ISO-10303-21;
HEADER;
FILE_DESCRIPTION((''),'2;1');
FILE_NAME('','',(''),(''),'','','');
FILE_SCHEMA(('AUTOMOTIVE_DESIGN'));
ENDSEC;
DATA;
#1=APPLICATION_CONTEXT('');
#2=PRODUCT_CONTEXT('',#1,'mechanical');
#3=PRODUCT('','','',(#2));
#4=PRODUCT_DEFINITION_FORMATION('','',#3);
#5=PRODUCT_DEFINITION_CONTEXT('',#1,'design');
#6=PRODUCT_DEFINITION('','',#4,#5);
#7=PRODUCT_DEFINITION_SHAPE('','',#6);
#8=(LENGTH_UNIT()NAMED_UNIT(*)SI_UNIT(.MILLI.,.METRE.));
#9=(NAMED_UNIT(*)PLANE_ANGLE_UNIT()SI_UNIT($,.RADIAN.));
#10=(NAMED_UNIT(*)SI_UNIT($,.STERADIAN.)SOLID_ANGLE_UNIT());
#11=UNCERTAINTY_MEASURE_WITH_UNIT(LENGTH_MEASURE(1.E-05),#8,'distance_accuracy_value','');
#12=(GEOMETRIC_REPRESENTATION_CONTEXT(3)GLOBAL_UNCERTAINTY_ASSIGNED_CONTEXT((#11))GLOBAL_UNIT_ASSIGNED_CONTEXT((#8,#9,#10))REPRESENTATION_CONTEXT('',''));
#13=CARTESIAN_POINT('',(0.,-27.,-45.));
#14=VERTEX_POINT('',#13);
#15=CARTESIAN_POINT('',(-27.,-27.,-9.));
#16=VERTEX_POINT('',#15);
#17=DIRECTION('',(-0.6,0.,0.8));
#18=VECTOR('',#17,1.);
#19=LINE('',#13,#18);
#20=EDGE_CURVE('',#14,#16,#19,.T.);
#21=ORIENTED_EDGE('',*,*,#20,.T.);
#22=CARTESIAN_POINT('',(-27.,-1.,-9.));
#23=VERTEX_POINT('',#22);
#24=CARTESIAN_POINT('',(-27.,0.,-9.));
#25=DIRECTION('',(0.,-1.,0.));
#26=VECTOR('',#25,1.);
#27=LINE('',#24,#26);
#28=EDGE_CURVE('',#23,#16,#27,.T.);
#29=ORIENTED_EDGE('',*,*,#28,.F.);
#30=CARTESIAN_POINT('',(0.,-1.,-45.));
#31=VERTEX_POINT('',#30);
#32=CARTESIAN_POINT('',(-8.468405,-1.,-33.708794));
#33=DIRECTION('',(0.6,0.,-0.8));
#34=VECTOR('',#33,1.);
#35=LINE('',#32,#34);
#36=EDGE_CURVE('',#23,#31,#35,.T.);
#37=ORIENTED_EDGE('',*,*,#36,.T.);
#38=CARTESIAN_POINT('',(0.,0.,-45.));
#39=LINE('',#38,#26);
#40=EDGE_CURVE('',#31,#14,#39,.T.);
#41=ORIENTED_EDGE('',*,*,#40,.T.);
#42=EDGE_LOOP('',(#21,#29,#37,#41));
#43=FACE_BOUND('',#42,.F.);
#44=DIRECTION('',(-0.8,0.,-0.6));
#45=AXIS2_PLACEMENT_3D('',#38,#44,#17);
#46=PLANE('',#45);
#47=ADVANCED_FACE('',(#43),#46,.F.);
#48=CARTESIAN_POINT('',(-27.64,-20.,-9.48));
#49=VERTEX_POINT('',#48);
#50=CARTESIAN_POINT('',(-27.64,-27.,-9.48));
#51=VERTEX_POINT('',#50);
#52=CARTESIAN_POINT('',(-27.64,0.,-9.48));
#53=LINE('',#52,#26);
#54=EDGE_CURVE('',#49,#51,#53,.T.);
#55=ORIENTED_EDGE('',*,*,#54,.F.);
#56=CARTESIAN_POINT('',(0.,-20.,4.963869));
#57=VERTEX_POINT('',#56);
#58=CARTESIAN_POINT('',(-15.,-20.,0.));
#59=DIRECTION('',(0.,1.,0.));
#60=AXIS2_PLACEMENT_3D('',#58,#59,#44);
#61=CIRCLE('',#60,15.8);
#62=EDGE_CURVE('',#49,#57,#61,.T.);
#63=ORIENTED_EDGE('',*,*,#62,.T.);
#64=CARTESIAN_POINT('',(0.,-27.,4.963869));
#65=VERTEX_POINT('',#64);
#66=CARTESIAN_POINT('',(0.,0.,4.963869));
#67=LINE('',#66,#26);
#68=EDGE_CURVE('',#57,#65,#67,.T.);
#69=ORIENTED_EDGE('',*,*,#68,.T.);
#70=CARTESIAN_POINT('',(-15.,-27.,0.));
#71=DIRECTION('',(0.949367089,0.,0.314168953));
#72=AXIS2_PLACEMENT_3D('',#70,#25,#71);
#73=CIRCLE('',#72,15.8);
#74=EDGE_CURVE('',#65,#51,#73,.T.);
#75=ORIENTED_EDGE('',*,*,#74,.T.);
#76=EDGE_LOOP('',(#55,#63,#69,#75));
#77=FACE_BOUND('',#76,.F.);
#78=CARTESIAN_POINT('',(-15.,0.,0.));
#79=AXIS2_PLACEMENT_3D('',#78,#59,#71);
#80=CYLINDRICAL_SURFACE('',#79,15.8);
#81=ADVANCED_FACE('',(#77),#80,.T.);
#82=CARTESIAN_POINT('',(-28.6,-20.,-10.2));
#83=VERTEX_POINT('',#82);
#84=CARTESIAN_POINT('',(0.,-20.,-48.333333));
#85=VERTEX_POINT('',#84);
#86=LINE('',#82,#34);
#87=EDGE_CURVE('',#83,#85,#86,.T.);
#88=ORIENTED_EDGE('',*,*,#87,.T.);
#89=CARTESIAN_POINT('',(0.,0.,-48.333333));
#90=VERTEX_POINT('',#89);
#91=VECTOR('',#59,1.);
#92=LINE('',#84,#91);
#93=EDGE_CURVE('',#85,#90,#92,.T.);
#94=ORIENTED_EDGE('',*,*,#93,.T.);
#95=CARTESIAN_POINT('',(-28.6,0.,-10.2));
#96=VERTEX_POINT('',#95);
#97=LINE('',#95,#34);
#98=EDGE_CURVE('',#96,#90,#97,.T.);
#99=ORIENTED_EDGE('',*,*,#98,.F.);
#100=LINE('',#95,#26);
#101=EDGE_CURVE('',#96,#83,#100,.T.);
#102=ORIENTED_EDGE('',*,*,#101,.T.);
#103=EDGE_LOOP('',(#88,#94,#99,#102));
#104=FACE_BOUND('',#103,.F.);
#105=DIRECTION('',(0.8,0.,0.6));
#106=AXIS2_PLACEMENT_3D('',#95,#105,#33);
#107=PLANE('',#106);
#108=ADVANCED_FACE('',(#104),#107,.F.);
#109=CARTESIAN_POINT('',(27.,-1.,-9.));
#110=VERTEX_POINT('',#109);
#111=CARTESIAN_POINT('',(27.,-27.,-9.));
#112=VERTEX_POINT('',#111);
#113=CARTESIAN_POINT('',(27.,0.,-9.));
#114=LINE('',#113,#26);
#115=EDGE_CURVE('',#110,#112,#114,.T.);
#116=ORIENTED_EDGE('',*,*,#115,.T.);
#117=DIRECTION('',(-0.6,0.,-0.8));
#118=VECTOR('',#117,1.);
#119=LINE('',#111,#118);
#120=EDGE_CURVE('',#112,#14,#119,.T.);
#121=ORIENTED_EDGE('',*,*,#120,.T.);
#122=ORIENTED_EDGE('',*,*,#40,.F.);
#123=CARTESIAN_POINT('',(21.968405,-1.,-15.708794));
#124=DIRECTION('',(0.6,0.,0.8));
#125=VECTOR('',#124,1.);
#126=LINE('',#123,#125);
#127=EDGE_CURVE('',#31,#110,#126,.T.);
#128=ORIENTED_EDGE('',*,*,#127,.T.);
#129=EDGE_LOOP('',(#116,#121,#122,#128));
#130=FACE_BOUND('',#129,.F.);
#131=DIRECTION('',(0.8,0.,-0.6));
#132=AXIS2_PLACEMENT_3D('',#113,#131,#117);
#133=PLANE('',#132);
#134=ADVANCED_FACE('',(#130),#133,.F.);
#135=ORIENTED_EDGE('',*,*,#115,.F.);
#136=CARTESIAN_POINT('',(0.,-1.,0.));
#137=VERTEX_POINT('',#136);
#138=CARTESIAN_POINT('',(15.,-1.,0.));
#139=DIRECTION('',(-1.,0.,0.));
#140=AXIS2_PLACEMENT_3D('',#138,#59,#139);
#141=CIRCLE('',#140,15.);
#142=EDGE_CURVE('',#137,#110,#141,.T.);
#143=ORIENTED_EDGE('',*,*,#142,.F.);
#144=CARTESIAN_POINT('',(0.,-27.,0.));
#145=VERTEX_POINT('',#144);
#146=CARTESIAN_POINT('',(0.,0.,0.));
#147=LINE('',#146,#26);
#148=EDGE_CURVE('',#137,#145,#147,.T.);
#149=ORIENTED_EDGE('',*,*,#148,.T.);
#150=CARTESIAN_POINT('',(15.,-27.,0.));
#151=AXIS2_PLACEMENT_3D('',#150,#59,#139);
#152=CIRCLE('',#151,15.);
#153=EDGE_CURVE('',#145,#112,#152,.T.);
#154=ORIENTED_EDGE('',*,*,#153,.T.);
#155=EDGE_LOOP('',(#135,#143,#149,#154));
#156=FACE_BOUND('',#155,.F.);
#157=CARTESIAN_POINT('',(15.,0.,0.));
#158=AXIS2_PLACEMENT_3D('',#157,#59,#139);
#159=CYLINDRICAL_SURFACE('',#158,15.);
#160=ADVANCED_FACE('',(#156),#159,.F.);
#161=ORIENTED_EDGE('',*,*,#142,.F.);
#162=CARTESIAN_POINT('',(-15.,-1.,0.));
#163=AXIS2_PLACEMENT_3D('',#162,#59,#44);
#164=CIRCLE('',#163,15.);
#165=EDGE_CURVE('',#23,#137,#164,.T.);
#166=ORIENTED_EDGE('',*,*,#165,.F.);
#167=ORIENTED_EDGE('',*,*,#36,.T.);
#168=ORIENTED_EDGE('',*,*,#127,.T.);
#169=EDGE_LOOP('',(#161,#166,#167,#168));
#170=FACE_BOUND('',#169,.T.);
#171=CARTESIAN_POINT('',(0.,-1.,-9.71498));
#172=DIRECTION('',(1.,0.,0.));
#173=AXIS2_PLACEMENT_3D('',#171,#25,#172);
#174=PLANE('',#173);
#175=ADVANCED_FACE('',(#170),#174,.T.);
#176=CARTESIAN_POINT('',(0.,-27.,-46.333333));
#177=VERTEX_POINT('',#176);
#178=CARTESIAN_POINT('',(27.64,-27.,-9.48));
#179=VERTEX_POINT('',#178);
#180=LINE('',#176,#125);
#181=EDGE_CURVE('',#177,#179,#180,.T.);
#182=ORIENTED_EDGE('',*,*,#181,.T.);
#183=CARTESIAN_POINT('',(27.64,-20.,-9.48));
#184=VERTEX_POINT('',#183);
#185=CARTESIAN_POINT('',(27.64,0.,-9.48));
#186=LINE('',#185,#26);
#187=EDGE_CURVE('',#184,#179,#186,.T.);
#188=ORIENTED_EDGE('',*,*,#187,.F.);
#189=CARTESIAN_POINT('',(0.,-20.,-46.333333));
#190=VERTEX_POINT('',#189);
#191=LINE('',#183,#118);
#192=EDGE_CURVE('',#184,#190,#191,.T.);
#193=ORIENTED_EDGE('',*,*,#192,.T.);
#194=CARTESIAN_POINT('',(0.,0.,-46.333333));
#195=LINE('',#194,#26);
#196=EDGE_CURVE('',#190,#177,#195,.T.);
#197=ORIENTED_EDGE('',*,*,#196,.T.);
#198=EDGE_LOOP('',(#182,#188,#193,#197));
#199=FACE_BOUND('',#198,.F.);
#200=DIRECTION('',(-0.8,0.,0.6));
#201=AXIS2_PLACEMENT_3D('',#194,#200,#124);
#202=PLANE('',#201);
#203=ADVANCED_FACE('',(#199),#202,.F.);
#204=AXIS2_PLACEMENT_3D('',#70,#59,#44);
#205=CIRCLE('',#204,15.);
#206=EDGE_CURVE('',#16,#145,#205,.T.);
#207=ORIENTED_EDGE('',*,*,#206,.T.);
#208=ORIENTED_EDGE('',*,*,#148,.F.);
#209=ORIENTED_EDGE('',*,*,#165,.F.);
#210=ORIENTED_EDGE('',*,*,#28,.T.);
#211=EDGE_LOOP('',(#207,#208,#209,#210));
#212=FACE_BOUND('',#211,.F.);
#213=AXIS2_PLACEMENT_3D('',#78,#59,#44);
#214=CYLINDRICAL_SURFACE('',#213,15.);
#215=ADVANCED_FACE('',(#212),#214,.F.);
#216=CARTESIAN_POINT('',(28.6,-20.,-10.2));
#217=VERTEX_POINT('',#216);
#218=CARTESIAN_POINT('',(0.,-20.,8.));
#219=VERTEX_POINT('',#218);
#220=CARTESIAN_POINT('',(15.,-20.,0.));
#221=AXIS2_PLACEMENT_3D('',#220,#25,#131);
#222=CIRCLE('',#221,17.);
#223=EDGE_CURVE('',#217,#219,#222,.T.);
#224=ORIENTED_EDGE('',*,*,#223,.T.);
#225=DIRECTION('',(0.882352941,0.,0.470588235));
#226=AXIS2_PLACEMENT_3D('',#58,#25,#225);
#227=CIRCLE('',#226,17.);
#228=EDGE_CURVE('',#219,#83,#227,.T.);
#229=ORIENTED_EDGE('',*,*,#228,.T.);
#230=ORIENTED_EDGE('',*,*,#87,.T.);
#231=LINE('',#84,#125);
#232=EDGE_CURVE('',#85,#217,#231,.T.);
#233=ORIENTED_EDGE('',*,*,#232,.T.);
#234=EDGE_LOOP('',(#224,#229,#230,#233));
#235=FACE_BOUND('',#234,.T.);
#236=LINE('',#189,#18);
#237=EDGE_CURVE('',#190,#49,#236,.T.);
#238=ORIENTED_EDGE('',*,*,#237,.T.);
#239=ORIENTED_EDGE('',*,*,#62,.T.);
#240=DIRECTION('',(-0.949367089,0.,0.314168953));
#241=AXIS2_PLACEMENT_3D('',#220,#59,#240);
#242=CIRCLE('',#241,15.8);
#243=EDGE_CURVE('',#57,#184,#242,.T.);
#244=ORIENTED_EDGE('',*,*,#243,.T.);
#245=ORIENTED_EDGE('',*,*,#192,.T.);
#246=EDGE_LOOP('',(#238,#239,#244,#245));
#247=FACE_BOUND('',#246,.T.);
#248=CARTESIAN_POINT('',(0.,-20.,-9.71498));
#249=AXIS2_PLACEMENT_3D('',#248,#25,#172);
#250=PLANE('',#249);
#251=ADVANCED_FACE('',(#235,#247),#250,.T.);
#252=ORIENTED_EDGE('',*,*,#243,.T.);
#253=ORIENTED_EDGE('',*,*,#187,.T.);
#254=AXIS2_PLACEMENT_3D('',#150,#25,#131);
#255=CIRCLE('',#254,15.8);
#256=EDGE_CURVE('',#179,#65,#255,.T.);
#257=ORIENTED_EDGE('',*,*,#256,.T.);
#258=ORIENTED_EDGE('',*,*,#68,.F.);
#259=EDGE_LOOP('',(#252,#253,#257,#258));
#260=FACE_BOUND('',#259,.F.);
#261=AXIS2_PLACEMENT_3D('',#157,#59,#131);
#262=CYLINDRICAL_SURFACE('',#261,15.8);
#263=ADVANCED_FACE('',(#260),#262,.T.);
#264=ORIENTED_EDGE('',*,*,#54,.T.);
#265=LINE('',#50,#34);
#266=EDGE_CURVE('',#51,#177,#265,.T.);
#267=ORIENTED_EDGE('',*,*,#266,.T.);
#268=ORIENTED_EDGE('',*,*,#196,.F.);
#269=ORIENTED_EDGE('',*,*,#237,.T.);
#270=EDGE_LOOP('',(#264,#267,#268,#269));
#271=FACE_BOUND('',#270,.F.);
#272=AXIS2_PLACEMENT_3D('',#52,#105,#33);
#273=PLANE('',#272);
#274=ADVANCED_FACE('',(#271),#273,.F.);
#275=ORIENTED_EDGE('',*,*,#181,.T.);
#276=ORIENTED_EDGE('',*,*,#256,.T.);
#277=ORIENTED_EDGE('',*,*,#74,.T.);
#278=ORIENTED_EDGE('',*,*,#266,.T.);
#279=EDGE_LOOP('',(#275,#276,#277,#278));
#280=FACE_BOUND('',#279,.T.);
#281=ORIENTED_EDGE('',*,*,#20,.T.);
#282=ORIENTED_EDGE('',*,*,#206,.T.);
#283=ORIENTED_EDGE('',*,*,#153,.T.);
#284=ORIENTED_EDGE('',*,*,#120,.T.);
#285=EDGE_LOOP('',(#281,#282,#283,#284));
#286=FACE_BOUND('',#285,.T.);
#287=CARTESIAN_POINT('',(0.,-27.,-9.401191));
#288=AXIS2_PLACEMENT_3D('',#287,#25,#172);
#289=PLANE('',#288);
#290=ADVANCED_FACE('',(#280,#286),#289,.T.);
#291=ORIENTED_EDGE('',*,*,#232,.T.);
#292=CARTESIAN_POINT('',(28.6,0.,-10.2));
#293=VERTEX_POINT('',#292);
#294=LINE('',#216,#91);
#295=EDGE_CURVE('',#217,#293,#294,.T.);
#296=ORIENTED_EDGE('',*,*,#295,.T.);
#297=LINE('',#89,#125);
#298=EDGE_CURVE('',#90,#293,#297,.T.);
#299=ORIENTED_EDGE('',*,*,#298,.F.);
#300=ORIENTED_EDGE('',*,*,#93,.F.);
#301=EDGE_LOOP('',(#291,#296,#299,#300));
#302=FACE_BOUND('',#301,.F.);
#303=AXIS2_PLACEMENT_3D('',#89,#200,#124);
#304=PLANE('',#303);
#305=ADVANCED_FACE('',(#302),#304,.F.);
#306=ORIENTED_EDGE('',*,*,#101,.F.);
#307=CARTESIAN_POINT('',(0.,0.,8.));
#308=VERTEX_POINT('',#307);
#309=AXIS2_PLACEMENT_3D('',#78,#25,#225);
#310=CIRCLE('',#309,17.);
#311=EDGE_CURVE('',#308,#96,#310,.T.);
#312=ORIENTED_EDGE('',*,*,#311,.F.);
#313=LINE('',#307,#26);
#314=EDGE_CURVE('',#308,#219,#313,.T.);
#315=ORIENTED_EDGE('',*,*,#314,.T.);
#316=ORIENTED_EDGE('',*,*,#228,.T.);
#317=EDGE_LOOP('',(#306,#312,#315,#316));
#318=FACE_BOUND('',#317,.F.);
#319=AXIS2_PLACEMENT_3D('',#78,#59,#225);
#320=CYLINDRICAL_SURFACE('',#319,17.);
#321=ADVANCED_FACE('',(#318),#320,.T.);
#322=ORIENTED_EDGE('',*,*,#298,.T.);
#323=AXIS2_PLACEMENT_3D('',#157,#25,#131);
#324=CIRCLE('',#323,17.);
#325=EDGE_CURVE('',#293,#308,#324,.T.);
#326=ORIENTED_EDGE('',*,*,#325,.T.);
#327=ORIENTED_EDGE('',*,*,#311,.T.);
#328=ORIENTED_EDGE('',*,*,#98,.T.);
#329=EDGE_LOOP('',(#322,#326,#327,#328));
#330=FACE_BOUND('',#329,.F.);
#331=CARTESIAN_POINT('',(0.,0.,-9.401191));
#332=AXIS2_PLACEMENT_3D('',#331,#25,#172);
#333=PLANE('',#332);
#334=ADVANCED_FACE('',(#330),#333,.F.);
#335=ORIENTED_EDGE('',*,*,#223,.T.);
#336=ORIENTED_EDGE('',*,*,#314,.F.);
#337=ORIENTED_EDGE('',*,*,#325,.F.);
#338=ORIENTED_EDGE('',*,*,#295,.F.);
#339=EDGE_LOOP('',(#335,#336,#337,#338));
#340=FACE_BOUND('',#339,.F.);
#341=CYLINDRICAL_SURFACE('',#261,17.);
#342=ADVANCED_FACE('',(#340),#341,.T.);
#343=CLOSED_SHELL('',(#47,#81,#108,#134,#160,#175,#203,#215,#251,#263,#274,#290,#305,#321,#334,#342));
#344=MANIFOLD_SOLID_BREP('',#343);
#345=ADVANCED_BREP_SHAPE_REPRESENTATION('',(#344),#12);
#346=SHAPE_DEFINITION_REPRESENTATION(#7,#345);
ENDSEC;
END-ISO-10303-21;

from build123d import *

# Parameters (mm, degrees)
F1_DEPTH = 1
F2_DEPTH = 20
F3_DEPTH = 27


with BuildPart() as f1:
    # F0 (on Front) → F1 (new body)
    with BuildSketch(Plane.XZ):
        with BuildLine():
            ThreePointArc((28.6, -10.2), (24.1268833673, 14.3422452914), (0, 8))
            ThreePointArc((0, 8), (-24.1268833673, 14.3422452914), (-28.6, -10.2))
            Line((-28.6, -10.2), (0, -48.3333333333))
            Line((0, -48.3333333333), (28.6, -10.2))
        make_face()
        with BuildLine():
            ThreePointArc((-27.64, -9.48), (-22.3177005427, 14.0032588624), (0, 4.9638694584))
            ThreePointArc((0, 4.9638694584), (22.3177005427, 14.0032588624), (27.64, -9.48))
            Line((27.64, -9.48), (0, -46.3333333333))
            Line((0, -46.3333333333), (-27.64, -9.48))
        make_face(mode=Mode.SUBTRACT)
        with BuildLine():
            ThreePointArc((27.64, -9.48), (22.3177005427, 14.0032588624), (0, 4.9638694584))
            ThreePointArc((0, 4.9638694584), (-22.3177005427, 14.0032588624), (-27.64, -9.48))
            Line((-27.64, -9.48), (0, -46.3333333333))
            Line((0, -46.3333333333), (27.64, -9.48))
        make_face()
        with BuildLine():
            ThreePointArc((-27, -9), (-19.7434164903, 14.2302494708), (0, 0))
            ThreePointArc((0, 0), (19.7434164903, 14.2302494708), (27, -9))
            Line((27, -9), (0, -45))
            Line((0, -45), (-27, -9))
        make_face(mode=Mode.SUBTRACT)
        with BuildLine():
            ThreePointArc((27, -9), (19.7434164903, 14.2302494708), (0, 0))
            ThreePointArc((0, 0), (-19.7434164903, 14.2302494708), (-27, -9))
            Line((-27, -9), (0, -45))
            Line((0, -45), (27, -9))
        make_face()
    extrude(amount=F1_DEPTH)

    # F0 (on Front) → F2 (join)
    with BuildSketch(Plane.XZ):
        with BuildLine():
            ThreePointArc((28.6, -10.2), (24.1268833673, 14.3422452914), (0, 8))
            ThreePointArc((0, 8), (-24.1268833673, 14.3422452914), (-28.6, -10.2))
            Line((-28.6, -10.2), (0, -48.3333333333))
            Line((0, -48.3333333333), (28.6, -10.2))
        make_face()
        with BuildLine():
            ThreePointArc((-27.64, -9.48), (-22.3177005427, 14.0032588624), (0, 4.9638694584))
            ThreePointArc((0, 4.9638694584), (22.3177005427, 14.0032588624), (27.64, -9.48))
            Line((27.64, -9.48), (0, -46.3333333333))
            Line((0, -46.3333333333), (-27.64, -9.48))
        make_face(mode=Mode.SUBTRACT)
    extrude(amount=F2_DEPTH)

    # F0 (on Front) → F3 (join)
    with BuildSketch(Plane.XZ):
        with BuildLine():
            ThreePointArc((27.64, -9.48), (22.3177005427, 14.0032588624), (0, 4.9638694584))
            ThreePointArc((0, 4.9638694584), (-22.3177005427, 14.0032588624), (-27.64, -9.48))
            Line((-27.64, -9.48), (0, -46.3333333333))
            Line((0, -46.3333333333), (27.64, -9.48))
        make_face()
        with BuildLine():
            ThreePointArc((-27, -9), (-19.7434164903, 14.2302494708), (0, 0))
            ThreePointArc((0, 0), (19.7434164903, 14.2302494708), (27, -9))
            Line((27, -9), (0, -45))
            Line((0, -45), (-27, -9))
        make_face(mode=Mode.SUBTRACT)
    extrude(amount=F3_DEPTH)


solid = f1.part
